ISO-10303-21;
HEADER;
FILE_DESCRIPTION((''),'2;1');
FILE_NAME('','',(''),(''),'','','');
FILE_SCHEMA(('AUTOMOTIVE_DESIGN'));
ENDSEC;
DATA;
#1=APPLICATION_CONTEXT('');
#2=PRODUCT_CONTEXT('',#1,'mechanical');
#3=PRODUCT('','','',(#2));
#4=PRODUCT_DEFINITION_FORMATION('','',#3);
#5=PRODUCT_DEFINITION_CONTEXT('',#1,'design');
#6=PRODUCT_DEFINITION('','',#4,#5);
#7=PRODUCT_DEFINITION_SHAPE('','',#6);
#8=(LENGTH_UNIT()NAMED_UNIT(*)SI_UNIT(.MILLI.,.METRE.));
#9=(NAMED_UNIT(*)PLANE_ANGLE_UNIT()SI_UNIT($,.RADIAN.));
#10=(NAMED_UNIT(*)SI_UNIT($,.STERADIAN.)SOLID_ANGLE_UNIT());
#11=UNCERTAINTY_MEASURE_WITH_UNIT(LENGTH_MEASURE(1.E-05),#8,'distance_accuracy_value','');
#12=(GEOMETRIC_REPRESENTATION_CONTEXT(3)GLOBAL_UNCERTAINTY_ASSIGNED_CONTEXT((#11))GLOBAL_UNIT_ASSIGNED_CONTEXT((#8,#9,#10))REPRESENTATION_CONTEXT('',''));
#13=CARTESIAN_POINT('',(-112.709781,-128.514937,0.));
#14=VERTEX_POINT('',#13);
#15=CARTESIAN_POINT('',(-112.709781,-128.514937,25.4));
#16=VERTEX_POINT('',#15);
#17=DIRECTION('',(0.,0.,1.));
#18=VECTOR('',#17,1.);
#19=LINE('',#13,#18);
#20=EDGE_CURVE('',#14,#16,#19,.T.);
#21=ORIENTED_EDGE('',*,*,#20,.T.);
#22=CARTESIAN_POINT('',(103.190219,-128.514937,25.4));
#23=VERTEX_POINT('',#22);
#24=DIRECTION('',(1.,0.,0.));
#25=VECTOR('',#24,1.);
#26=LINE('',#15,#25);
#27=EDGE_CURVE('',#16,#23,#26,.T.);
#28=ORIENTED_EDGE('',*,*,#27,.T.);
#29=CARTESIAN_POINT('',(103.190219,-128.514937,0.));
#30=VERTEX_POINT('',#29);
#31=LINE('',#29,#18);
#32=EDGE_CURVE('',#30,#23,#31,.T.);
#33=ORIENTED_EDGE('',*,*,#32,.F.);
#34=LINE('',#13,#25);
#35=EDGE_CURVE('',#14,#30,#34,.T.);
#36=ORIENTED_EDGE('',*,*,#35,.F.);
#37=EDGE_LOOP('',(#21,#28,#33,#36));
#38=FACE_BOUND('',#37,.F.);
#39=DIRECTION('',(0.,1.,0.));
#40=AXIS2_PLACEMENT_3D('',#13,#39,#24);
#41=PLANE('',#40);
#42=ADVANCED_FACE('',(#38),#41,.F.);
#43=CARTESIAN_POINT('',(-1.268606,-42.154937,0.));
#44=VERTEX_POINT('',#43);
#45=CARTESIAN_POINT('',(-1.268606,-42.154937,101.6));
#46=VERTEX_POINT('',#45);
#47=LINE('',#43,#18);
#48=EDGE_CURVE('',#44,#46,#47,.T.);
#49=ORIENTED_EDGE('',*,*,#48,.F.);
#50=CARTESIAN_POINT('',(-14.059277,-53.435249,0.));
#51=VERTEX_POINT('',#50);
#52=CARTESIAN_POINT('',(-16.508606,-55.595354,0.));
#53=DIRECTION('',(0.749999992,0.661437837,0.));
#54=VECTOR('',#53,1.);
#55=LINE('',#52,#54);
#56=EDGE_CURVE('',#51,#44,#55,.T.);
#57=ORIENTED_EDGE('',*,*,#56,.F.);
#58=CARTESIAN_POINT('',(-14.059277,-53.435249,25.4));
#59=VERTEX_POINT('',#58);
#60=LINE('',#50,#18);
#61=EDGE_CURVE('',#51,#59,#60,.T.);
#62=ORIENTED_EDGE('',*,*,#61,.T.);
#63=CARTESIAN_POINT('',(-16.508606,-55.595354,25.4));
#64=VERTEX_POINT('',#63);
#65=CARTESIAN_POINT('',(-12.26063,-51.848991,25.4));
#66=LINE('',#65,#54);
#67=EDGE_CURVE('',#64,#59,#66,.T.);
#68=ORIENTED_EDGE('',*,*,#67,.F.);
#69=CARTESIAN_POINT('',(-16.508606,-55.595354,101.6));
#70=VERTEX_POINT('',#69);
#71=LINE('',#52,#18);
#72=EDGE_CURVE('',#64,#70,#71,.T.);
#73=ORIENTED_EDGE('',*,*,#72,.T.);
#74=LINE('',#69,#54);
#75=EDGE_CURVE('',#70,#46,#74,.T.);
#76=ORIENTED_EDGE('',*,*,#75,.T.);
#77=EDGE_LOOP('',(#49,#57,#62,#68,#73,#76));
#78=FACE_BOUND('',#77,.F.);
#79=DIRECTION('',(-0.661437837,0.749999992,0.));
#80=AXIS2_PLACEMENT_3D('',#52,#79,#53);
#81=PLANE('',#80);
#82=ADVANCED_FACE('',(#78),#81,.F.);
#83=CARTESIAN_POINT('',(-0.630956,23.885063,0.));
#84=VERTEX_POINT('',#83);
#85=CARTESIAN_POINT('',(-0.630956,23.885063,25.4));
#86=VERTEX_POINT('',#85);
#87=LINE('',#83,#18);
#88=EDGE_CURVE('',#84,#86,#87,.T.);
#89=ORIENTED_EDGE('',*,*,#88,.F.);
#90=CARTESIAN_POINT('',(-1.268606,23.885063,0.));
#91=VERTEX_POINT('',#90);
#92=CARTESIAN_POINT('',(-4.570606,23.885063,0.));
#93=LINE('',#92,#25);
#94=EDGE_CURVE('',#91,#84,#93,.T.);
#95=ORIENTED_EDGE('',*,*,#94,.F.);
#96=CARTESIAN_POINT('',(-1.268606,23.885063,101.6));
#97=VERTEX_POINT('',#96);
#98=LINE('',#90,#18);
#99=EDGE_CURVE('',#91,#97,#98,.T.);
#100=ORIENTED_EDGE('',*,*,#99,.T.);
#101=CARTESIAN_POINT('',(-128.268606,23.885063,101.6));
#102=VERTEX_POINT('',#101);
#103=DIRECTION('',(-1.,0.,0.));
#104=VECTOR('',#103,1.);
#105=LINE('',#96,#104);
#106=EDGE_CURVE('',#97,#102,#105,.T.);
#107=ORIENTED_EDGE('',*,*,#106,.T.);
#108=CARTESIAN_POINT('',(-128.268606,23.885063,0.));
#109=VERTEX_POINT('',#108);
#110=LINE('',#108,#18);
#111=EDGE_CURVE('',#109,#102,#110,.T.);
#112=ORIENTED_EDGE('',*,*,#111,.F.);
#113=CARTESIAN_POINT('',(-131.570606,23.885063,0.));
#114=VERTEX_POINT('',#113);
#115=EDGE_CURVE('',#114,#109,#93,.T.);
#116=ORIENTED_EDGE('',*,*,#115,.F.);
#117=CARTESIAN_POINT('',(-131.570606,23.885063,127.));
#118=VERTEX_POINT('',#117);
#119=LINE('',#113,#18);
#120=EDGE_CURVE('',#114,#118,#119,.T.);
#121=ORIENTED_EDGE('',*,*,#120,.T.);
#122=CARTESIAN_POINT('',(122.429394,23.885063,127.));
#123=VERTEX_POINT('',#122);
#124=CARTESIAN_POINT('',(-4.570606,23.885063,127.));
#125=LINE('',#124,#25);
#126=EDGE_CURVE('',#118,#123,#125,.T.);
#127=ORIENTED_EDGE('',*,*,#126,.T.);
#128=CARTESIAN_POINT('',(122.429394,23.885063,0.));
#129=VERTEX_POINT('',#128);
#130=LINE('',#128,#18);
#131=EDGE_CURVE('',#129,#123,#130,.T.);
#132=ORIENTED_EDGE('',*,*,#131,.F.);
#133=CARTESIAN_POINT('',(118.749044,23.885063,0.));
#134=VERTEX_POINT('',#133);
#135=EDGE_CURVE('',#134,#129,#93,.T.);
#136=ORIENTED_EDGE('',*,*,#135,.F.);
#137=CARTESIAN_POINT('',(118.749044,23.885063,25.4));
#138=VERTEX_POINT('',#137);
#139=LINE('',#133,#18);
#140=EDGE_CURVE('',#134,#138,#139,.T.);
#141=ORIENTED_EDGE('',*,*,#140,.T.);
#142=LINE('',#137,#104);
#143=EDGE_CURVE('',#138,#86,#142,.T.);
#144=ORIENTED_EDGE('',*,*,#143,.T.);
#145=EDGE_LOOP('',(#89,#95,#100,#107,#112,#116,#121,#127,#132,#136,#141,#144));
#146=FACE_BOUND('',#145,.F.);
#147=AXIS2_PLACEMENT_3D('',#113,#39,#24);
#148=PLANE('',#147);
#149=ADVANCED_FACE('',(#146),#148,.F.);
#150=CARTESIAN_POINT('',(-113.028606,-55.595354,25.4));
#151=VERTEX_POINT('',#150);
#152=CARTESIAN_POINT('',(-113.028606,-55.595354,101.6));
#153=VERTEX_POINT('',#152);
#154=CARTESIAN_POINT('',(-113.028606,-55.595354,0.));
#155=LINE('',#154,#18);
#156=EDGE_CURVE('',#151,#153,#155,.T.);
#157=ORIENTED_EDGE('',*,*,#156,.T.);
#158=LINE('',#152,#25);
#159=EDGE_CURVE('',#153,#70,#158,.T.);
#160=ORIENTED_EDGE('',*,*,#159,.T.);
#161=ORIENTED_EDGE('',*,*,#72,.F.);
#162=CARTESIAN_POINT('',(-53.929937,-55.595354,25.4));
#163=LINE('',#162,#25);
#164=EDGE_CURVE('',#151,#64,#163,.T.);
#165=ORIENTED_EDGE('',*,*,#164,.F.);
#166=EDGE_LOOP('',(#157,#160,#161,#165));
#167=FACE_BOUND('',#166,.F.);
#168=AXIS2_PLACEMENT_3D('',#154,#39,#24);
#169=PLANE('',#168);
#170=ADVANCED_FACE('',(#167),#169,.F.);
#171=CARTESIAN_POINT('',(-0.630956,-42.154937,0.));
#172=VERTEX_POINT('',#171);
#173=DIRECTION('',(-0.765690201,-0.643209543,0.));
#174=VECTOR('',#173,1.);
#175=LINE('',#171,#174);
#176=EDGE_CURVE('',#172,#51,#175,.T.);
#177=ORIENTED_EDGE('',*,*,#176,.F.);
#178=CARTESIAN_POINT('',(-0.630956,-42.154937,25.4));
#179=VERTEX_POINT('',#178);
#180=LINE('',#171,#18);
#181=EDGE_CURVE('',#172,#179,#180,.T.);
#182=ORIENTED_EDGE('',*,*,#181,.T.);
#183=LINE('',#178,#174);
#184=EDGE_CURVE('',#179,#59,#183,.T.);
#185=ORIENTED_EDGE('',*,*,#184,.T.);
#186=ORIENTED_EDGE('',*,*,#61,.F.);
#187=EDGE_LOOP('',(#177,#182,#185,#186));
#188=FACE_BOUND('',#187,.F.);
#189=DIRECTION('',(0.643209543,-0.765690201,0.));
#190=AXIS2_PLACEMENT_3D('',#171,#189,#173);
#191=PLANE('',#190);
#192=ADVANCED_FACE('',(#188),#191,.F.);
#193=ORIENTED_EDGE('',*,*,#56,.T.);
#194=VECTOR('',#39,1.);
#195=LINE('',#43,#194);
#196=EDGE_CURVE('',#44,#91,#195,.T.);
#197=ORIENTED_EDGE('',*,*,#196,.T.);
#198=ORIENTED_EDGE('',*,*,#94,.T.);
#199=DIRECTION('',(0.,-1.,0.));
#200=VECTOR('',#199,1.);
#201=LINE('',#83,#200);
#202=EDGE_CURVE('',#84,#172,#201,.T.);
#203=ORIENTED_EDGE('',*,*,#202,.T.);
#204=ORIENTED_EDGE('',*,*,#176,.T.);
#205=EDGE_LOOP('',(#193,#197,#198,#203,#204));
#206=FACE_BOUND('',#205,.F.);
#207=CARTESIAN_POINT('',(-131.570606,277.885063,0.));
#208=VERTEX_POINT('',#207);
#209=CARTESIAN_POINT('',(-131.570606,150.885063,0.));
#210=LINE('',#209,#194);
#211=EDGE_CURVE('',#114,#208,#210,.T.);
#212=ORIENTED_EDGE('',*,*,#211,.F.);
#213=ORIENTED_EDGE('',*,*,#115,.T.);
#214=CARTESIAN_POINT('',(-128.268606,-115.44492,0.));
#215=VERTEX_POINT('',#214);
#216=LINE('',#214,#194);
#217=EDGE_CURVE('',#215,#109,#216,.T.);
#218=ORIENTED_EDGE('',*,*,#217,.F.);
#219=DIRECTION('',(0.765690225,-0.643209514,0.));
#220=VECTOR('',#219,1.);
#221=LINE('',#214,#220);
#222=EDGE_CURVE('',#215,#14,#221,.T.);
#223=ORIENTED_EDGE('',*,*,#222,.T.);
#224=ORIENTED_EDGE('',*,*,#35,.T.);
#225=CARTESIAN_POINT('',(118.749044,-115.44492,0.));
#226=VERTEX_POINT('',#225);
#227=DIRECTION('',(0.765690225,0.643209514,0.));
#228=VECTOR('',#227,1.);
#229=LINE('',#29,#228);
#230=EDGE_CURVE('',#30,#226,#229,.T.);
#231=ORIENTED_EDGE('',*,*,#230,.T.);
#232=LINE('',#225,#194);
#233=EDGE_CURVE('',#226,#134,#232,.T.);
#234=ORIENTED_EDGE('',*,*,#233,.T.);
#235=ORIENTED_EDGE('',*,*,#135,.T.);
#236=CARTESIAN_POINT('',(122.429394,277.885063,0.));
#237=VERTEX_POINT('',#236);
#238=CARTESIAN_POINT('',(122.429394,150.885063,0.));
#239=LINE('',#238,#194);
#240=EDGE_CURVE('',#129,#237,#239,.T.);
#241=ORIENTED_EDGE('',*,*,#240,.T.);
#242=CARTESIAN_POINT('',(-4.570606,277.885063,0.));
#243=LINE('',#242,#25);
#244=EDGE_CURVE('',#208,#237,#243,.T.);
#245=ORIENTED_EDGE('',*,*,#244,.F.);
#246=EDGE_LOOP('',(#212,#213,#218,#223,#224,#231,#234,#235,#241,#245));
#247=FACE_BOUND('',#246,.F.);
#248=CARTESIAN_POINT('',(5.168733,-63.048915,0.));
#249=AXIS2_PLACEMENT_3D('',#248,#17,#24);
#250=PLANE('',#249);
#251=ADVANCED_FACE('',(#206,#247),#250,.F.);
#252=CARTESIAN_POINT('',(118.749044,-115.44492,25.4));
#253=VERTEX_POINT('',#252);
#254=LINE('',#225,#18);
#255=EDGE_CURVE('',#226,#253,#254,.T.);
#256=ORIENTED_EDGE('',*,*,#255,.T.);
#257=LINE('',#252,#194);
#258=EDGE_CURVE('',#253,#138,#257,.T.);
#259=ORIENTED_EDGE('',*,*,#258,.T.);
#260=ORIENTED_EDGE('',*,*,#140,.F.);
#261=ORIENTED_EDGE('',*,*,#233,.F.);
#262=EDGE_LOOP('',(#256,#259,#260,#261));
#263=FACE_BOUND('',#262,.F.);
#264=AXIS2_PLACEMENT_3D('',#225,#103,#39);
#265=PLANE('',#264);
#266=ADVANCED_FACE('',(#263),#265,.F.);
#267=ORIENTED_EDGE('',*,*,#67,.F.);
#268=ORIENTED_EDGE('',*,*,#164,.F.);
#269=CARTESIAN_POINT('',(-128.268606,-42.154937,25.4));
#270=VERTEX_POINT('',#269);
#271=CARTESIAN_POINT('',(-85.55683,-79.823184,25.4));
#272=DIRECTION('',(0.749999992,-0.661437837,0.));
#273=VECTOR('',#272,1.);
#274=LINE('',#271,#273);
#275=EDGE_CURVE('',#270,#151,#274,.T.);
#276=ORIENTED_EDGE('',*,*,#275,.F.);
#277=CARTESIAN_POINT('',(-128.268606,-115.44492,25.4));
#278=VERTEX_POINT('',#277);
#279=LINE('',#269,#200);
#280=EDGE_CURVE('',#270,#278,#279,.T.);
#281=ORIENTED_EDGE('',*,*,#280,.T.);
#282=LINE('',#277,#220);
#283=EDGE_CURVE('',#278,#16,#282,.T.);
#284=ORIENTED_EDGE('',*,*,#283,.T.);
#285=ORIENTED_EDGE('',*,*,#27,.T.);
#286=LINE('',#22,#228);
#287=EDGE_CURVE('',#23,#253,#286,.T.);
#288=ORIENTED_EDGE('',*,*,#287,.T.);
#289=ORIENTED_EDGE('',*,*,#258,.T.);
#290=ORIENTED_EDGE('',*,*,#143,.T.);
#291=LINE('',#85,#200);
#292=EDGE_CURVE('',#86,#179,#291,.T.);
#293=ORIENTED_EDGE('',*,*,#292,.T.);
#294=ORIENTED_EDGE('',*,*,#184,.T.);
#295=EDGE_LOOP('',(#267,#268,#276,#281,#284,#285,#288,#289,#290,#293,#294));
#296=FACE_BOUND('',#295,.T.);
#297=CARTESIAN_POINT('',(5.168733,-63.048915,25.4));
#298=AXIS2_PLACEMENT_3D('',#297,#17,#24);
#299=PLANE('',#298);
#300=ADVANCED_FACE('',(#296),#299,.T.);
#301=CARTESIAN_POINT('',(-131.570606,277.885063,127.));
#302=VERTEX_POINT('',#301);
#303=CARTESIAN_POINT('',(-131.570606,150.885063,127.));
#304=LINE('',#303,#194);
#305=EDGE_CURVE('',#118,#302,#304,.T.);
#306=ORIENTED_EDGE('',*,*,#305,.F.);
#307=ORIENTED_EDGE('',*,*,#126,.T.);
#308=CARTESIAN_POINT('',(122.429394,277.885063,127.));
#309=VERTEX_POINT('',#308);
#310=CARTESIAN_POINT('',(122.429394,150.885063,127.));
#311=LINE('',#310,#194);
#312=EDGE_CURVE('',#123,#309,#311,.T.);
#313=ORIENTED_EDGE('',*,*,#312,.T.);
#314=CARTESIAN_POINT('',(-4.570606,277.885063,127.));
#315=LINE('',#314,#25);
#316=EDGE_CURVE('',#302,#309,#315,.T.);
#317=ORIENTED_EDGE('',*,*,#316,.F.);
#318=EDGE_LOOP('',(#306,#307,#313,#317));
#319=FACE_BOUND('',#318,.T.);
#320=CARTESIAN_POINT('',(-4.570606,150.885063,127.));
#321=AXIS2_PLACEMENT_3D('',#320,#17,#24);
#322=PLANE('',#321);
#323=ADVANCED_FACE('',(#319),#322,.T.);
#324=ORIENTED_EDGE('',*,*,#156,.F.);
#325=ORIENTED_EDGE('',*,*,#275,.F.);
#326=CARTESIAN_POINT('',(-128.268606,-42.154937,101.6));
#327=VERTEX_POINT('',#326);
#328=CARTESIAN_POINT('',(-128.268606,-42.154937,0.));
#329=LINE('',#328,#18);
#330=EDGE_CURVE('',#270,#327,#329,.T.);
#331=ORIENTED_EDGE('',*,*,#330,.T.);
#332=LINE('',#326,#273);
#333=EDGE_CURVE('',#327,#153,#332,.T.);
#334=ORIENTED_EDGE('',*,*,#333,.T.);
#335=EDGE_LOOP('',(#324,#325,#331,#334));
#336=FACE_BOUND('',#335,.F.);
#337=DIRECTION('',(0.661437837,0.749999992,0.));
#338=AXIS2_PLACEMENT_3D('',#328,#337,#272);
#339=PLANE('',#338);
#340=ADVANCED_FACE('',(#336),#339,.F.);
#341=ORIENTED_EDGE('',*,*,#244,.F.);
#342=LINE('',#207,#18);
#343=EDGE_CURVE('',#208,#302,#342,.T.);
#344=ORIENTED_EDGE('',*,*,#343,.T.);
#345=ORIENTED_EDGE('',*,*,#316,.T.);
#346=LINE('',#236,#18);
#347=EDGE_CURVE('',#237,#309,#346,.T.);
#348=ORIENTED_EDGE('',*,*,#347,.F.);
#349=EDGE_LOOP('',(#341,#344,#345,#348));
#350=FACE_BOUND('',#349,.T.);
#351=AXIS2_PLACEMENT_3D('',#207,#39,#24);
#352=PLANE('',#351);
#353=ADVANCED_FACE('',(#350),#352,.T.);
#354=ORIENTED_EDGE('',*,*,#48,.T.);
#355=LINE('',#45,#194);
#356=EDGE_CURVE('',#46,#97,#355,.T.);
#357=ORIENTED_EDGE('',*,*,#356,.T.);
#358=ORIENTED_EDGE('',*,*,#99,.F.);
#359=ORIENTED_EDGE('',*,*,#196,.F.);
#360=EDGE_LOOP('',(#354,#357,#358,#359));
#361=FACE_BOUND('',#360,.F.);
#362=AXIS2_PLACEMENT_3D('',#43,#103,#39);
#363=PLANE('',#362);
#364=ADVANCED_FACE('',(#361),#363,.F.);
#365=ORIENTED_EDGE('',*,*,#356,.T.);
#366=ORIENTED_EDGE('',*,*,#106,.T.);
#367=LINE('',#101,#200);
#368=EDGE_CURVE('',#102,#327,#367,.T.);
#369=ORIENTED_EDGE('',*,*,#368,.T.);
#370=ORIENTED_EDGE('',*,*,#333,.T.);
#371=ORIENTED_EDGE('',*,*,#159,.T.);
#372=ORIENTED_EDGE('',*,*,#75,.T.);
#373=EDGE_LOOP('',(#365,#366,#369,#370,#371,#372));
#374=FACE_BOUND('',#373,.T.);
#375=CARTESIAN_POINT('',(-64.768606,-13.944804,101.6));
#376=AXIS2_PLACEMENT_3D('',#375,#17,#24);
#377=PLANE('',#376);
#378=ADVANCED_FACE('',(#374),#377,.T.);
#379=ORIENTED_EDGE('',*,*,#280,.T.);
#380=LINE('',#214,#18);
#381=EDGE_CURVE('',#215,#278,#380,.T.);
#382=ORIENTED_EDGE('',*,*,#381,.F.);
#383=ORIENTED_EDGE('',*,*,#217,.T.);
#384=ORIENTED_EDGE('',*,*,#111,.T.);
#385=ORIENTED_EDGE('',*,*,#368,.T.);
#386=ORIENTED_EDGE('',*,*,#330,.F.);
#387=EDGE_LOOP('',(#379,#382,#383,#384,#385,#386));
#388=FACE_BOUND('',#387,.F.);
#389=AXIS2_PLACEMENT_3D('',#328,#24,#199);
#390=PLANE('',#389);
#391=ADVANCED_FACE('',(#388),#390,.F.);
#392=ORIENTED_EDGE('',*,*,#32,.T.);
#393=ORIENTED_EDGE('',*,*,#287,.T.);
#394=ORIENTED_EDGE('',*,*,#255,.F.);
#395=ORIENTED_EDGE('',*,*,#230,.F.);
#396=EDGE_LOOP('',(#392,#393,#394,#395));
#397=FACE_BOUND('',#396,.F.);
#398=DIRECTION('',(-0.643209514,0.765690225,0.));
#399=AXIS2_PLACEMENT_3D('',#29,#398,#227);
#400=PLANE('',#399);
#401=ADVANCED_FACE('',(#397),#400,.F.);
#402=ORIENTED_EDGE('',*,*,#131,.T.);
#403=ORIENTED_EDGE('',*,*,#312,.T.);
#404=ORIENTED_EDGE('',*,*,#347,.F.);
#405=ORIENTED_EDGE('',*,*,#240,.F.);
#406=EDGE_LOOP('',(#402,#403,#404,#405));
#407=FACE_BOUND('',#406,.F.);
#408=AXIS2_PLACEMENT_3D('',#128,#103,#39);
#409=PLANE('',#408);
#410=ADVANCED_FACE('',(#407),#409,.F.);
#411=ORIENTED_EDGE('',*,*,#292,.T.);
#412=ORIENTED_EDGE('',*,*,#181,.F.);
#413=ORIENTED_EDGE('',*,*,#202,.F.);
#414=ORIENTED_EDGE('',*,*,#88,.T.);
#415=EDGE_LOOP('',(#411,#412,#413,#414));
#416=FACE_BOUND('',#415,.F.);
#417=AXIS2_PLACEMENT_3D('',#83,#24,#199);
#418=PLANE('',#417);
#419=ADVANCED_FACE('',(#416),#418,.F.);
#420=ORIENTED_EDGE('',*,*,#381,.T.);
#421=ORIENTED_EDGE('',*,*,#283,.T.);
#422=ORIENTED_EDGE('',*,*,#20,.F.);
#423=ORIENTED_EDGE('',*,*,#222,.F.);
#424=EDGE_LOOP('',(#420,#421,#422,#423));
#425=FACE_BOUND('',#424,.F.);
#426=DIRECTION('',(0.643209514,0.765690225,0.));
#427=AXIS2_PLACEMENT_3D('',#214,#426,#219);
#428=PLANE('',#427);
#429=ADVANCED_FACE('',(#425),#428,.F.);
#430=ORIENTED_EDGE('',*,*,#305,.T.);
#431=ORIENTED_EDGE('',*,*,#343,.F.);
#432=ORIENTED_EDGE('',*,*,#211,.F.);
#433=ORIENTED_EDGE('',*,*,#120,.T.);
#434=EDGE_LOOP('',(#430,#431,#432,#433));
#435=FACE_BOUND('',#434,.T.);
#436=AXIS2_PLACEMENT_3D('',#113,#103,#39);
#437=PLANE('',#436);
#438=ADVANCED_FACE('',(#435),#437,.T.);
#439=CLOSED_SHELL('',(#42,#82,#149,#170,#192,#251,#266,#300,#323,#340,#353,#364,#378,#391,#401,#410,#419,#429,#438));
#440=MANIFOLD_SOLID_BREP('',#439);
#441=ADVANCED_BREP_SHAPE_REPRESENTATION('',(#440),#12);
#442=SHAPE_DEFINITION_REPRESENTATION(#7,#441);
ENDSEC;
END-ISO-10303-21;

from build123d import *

# Parameters (mm, degrees)
F0_W     = 254
F0_H     = 254
F2_DEPTH = 127
F3_DEPTH = 101.6
F5_DEPTH = 25.4


with BuildPart() as f2:
    # F0 (on Top) → F2 (new body)
    with BuildSketch(Plane.XY):
        with Locations((-4.570606, 150.885063)):
            Rectangle(F0_W, F0_H)
    extrude(amount=F2_DEPTH)

    # F1 (on face) → F3 (join)
    with BuildSketch(Plane.XY):
        Polygon((-1.268606, 23.885063), (-128.268606, 23.885063), (-128.268606, -42.154937), (-113.028606, -55.595354), (-16.508606, -55.595354), (-1.268606, -42.154937), align=None)
    extrude(amount=F3_DEPTH)

    # F4 (on Top) → F5 (join)
    with BuildSketch(Plane.XY):
        Polygon((103.190219, -128.514937), (118.749044, -115.44492), (118.749044, 23.885063), (-0.630956, 23.885063), (-0.630956, -42.154937), (-16.189781, -55.224955), (-112.709781, -55.224955), (-128.268606, -42.154937), (-128.268606, -115.44492), (-112.709781, -128.514937), align=None)
    extrude(amount=F5_DEPTH)


solid = f2.part
